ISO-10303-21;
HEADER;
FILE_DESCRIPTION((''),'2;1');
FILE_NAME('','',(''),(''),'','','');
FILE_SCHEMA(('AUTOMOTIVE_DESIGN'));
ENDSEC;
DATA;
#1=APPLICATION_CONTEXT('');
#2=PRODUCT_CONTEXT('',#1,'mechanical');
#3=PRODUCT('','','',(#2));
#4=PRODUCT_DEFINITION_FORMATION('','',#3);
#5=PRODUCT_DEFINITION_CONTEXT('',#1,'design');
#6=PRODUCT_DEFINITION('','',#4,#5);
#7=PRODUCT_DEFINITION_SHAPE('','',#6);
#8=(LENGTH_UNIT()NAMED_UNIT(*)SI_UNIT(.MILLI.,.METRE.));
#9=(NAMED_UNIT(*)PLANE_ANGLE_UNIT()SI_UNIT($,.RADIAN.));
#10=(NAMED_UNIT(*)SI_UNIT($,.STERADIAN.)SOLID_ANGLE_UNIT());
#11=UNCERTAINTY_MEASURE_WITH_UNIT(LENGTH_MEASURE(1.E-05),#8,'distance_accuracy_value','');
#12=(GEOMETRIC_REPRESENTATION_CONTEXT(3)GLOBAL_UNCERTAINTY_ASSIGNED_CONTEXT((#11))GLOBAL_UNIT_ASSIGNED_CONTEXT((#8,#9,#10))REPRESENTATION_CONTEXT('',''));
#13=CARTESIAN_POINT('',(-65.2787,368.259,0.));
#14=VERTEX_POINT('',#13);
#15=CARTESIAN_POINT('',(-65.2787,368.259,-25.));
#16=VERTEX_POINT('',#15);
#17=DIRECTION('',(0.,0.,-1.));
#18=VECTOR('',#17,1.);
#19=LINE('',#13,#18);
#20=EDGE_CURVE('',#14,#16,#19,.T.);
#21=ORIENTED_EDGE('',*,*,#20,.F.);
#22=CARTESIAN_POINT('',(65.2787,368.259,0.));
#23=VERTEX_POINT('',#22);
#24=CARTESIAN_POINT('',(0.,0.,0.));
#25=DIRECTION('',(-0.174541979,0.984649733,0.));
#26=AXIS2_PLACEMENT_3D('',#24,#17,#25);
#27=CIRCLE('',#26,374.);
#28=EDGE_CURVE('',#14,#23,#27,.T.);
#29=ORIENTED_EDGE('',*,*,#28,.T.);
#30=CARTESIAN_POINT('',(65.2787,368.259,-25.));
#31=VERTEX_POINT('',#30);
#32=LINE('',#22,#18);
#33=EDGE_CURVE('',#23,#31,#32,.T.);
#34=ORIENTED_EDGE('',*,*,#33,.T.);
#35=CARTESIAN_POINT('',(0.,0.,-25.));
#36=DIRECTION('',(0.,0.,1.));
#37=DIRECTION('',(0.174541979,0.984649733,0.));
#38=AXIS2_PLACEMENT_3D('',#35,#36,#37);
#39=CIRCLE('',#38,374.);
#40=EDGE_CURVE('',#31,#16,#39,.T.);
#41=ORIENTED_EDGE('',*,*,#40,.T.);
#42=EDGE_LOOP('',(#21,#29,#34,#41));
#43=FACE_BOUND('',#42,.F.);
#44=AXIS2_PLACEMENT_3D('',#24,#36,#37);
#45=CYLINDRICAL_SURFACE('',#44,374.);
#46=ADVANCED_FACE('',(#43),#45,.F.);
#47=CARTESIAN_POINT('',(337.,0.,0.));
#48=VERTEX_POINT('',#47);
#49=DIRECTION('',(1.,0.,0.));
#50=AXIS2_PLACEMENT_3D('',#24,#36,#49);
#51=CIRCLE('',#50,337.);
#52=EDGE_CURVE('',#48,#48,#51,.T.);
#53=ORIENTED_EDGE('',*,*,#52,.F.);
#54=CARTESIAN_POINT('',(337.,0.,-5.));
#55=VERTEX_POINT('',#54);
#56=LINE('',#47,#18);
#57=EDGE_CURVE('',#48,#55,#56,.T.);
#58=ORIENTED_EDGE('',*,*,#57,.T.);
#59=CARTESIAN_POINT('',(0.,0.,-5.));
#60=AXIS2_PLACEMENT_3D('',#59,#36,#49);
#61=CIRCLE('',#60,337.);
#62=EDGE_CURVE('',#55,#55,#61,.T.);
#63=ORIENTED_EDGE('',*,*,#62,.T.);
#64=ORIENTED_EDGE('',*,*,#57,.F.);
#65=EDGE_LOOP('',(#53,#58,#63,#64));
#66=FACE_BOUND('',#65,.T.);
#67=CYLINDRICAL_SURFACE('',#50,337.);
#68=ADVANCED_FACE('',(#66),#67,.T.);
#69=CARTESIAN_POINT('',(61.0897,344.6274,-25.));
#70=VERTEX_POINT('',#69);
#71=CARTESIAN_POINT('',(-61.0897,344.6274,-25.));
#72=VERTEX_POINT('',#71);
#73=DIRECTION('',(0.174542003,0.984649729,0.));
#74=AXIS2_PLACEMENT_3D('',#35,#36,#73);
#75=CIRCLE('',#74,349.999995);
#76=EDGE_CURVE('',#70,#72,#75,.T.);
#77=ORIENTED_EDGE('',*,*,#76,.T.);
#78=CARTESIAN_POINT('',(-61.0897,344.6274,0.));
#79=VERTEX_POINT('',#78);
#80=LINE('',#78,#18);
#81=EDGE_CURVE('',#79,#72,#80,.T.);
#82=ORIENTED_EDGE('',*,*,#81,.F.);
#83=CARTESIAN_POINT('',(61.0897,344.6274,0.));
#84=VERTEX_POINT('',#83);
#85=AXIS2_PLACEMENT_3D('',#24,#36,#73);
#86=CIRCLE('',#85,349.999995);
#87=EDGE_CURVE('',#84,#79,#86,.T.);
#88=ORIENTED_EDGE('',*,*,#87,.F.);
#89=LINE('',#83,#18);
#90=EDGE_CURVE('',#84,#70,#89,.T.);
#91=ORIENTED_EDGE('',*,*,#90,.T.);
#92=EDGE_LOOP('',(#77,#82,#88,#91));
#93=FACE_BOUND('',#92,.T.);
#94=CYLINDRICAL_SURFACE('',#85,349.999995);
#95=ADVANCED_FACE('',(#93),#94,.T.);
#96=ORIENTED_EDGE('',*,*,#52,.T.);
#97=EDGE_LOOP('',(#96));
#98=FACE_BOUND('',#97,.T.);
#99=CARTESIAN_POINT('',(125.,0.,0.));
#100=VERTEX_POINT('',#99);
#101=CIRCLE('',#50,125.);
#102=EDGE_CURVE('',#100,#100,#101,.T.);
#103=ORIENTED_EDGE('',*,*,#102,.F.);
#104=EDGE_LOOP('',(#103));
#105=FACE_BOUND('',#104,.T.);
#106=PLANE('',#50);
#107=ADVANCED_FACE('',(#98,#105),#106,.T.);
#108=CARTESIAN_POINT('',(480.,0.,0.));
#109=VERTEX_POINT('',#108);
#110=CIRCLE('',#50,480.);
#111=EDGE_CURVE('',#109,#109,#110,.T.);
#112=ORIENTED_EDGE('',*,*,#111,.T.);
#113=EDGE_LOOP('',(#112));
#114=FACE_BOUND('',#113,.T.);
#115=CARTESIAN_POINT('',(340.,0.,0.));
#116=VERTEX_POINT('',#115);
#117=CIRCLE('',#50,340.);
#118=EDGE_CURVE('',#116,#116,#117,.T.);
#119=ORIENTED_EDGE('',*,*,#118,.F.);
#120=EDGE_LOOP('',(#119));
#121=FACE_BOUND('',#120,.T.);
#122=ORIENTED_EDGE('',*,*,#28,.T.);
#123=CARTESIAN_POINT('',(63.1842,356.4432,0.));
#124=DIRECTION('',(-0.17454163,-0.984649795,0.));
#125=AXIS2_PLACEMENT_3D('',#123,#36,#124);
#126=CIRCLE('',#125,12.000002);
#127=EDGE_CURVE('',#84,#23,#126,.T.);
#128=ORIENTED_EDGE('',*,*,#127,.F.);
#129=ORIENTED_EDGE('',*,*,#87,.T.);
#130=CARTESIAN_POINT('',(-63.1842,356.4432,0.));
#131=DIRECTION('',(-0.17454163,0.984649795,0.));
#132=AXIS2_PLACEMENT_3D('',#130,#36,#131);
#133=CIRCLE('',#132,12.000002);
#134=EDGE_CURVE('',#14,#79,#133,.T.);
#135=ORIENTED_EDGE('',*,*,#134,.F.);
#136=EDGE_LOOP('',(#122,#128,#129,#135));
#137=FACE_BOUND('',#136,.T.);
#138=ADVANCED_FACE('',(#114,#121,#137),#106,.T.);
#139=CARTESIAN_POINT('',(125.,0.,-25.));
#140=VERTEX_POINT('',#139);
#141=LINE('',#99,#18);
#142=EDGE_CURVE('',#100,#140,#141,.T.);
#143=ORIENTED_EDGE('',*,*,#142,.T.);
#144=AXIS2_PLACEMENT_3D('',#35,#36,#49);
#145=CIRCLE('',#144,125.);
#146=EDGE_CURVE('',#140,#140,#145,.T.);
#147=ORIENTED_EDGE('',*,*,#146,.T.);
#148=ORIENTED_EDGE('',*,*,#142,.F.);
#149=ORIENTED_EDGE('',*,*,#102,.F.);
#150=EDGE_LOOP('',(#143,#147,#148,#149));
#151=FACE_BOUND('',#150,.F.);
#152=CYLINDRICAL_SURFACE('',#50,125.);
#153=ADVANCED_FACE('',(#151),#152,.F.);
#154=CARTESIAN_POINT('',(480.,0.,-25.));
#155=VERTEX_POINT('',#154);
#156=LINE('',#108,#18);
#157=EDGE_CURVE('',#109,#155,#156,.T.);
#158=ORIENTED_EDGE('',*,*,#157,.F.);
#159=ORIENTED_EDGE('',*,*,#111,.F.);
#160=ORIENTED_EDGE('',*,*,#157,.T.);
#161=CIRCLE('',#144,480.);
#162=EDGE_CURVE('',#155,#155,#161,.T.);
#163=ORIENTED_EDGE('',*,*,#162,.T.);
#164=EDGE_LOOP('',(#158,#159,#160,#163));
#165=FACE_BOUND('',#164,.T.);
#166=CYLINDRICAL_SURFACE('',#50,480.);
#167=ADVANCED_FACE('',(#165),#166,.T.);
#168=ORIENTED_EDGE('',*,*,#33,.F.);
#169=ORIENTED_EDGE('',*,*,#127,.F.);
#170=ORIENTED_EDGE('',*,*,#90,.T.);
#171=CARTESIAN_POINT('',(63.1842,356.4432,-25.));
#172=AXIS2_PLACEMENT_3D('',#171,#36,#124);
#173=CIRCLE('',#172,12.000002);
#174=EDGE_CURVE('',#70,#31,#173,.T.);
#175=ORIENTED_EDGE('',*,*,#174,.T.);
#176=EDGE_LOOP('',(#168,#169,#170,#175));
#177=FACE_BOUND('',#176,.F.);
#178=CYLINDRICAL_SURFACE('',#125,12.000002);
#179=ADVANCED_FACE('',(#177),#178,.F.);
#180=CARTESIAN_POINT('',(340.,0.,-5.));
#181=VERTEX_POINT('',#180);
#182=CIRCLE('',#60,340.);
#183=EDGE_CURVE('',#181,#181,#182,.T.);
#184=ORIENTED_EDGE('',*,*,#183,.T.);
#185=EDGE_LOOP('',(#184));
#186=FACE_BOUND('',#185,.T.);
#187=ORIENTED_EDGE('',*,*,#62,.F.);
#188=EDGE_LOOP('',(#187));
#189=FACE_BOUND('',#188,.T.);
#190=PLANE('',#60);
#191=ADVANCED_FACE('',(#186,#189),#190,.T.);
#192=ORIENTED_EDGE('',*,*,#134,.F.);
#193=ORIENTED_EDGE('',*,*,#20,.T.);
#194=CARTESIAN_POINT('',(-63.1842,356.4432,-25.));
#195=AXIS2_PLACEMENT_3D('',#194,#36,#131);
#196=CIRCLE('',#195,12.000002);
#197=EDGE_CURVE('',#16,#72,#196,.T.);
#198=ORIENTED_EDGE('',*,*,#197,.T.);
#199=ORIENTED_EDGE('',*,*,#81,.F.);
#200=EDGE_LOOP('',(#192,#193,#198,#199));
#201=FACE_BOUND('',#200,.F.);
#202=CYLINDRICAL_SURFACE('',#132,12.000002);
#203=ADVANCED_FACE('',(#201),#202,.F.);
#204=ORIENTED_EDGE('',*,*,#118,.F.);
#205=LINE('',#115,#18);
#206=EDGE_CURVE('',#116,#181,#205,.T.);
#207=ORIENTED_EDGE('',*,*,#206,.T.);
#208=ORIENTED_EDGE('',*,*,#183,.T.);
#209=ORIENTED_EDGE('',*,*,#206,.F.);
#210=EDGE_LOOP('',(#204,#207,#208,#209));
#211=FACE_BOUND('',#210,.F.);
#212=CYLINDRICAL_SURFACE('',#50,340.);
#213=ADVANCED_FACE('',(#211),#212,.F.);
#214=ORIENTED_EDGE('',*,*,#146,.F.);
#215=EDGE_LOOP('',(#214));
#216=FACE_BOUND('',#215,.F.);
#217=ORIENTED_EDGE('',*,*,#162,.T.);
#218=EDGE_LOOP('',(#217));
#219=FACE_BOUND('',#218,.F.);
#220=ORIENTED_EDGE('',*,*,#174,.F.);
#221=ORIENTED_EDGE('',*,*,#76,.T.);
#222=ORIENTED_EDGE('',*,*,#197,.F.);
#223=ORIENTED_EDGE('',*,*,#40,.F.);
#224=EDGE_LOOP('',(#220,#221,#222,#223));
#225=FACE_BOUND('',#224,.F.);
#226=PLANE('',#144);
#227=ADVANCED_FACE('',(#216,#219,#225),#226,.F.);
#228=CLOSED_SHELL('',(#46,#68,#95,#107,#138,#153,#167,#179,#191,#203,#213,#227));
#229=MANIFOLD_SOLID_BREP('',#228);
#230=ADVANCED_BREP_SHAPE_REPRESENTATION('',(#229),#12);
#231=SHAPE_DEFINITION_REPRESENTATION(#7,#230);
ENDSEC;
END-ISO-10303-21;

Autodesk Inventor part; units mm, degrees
ref_plane "YZ Plane" through (0, 0, 0) normal (1, 0, 0) x (0, 1, 0)
ref_plane "XZ Plane" through (0, 0, 0) normal (0, 1, 0) x (-1, 0, 0)
ref_plane "XY Plane" through (0, 0, 0) normal (0, 0, 1) x (1, 0, 0)
sketch "Boceto1" plane through (0, 0, 0) normal (0, 0, 1) x (1, 0, 0)
  circle A0 centre (0, 0) radius 480
  circle A1 centre (0, 0) radius 125
  dimension "d0" = 960
  dimension "d1" = 250
extrude "Extrusión1" add sketch "Boceto1" against normal blind 25
sketch "Boceto2" plane through (0, 0, 0) normal (0, 0, 1) x (1, 0, 0)
  circle A0 centre (0, 0) radius 337
  circle A1 centre (0, 0) radius 340
  dimension "d4" = 680
  dimension "d5" = 674
extrude "Extrusión2" cut sketch "Boceto2" against normal blind 5
sketch "Boceto3" plane through (0, 0, 0) normal (0, 0, 1) x (1, 0, 0)
  arc A0 (63.1842, 356.4432) -> (-63.1842, 356.4432) centre (0, 0) ccw construction
  arc A1 (65.2787, 368.259) -> (-65.2787, 368.259) centre (0, 0) ccw
  arc A2 (61.0897, 344.6274) -> (-61.0897, 344.6274) centre (0, 0) ccw
  arc A3 (61.0897, 344.6274) -> (65.2787, 368.259) centre (63.1842, 356.4432) ccw
  arc A4 (-65.2787, 368.259) -> (-61.0897, 344.6274) centre (-63.1842, 356.4432) ccw
  line L0 (0, -74.8) -> (0, 448.8) projected
  point P0 (75, 354.3487)
  point P1 (-75, 354.3487)
  point P2 (0, 362)
  dimension "d8" = 12
  dimension "d9" = 362
  dimension "d15" = 150
extrude "Extrusión3" cut sketch "Boceto3" against normal up to next
properties part number "Brida_1 (flange_1) Lebus"
